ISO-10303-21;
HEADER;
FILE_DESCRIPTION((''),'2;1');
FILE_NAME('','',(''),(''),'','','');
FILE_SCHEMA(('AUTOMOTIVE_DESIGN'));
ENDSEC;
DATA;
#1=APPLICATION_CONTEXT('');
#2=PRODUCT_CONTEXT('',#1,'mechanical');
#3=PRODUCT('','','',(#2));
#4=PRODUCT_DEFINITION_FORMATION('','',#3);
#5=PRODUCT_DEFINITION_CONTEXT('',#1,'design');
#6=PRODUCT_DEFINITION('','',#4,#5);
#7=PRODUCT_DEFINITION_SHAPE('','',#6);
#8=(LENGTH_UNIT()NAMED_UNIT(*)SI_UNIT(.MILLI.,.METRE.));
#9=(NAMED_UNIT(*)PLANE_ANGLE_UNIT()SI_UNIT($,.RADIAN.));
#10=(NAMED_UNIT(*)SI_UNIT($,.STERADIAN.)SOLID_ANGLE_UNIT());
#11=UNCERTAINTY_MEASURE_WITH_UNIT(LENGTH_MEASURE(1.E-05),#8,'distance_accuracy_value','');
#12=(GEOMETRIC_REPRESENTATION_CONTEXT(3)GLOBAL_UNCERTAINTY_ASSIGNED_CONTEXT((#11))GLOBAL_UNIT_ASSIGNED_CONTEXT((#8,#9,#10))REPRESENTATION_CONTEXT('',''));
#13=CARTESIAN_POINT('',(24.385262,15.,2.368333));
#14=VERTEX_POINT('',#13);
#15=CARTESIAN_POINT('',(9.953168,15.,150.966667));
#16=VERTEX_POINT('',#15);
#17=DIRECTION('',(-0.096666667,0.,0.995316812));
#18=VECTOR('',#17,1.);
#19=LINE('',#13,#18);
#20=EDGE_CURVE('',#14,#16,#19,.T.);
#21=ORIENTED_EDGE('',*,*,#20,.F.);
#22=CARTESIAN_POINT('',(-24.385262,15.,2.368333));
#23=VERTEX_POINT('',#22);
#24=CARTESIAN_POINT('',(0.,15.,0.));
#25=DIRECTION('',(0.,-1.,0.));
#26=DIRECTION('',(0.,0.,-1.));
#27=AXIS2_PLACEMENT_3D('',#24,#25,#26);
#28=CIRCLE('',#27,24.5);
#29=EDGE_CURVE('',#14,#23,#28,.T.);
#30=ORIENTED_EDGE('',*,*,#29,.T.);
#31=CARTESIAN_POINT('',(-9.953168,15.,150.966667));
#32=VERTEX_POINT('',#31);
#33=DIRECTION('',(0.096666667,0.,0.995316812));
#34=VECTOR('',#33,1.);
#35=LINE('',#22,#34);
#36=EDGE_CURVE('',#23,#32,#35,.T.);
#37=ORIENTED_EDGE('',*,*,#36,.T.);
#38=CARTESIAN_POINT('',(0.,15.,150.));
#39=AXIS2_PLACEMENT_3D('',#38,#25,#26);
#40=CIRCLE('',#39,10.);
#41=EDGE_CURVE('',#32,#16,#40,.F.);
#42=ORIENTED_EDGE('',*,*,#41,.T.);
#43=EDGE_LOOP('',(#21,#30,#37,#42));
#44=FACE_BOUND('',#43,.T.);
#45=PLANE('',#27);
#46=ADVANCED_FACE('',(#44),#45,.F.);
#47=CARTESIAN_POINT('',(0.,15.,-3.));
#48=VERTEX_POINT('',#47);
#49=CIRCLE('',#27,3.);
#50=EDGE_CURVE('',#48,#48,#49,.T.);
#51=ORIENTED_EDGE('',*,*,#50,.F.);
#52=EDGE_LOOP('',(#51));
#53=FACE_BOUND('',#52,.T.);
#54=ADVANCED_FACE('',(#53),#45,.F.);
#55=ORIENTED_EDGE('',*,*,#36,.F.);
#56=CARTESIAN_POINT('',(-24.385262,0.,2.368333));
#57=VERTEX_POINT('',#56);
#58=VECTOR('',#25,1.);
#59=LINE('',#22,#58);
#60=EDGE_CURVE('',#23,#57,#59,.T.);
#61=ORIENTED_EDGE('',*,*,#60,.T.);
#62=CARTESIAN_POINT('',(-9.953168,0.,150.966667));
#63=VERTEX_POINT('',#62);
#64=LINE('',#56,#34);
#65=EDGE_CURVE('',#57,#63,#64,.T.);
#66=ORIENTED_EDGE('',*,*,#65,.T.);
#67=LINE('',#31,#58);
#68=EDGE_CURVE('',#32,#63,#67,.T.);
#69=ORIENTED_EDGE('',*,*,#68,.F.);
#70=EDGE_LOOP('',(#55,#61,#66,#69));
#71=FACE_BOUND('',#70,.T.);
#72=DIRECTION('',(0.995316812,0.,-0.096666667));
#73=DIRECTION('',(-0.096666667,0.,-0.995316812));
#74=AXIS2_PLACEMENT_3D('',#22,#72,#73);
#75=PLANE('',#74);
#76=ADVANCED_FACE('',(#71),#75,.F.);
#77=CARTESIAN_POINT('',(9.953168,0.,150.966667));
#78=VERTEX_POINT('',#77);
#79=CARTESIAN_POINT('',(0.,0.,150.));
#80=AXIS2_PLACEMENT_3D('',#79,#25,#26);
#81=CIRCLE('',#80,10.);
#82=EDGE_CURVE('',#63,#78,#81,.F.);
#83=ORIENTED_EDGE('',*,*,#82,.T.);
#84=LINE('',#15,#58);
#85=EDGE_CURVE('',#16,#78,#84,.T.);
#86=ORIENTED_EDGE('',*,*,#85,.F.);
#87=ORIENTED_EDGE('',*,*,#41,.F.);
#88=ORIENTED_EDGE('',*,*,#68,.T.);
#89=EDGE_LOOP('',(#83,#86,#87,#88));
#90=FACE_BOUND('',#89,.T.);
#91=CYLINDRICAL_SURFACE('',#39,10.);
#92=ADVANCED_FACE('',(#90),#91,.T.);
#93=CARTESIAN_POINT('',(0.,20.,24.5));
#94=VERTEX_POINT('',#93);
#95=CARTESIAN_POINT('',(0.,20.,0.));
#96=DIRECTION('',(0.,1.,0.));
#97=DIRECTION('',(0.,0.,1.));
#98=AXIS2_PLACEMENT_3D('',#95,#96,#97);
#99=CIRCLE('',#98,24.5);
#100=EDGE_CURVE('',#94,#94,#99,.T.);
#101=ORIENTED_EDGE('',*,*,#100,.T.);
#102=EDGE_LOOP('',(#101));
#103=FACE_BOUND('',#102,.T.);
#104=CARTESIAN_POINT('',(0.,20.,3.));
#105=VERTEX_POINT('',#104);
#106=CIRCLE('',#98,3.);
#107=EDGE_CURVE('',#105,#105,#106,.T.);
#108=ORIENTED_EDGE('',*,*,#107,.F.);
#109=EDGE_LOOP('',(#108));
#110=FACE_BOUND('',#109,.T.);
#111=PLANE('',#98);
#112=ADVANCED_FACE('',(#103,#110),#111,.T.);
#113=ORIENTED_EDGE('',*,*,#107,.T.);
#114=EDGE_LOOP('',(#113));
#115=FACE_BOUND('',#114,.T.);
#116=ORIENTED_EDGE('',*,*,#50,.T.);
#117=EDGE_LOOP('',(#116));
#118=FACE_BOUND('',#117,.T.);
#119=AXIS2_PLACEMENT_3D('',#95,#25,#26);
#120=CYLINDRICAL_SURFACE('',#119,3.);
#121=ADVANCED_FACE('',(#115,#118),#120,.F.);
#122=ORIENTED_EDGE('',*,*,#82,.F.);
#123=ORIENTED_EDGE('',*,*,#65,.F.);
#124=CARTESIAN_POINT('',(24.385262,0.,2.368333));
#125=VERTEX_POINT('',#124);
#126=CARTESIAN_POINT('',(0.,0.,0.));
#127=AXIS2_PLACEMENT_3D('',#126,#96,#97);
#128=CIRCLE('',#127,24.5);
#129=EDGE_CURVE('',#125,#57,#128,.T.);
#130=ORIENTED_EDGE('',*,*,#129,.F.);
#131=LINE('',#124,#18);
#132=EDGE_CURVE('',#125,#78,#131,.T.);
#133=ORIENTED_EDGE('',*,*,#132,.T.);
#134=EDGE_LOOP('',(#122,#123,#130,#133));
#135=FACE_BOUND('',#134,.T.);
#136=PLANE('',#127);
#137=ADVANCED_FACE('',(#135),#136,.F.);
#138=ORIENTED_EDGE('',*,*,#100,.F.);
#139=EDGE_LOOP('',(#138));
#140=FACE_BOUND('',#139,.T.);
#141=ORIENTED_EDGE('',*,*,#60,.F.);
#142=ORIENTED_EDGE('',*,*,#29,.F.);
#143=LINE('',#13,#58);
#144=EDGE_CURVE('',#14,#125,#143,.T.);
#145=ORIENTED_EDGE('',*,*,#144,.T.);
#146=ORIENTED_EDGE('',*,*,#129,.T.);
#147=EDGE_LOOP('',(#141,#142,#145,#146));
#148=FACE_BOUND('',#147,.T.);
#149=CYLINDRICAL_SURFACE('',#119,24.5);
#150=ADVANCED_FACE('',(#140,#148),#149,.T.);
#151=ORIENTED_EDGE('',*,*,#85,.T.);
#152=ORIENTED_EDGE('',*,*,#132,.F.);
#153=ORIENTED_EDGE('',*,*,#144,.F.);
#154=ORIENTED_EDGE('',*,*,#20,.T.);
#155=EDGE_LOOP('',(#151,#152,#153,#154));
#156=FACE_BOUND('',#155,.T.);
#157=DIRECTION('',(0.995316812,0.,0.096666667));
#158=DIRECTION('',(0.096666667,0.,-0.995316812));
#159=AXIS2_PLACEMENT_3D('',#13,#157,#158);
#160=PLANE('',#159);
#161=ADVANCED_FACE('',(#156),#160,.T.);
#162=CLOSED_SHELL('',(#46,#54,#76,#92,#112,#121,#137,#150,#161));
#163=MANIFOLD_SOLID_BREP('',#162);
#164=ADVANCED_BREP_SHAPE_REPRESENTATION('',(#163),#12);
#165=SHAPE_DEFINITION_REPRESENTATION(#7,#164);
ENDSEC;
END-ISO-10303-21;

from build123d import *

# Parameters (mm, degrees)
CROQUIS1_R              = 24.5
CROQUIS1_R_2            = 3
SALIENTE_EXTRUIR1_DEPTH = 20
CROQUIS3_R              = 3
SALIENTE_EXTRUIR2_DEPTH = 15


with BuildPart() as part:
    # Croquis1 → Saliente-Extruir1 (new body)
    with BuildSketch(Plane(origin=(0, 0, 0), x_dir=(1, 0, 0), z_dir=(0, 1, 0))):
        with Locations(Location((0, 0, 0), (0, 0, 270))):
            Circle(CROQUIS1_R)
        with Locations(Location((0, 0, 0), (0, 0, 270))):
            Circle(CROQUIS1_R_2, mode=Mode.SUBTRACT)
    extrude(amount=SALIENTE_EXTRUIR1_DEPTH)

    # Croquis3 → Saliente-Extruir2 (add)
    with BuildSketch(Plane.XZ):
        with BuildLine():
            Line((-9.953168117, 150.966666667), (-24.385261863, 2.368333563))
            ThreePointArc((-24.385261863, 2.368333563), (1.09e-07, 24.5), (24.385261884, 2.368333346))
            Line((24.385261884, 2.368333346), (9.953168117, 150.966666667))
            ThreePointArc((9.953168117, 150.966666667), (0, 160), (-9.953168117, 150.966666667))
        make_face()
        Circle(CROQUIS3_R)
    extrude(amount=-SALIENTE_EXTRUIR2_DEPTH)


solid = part.part
